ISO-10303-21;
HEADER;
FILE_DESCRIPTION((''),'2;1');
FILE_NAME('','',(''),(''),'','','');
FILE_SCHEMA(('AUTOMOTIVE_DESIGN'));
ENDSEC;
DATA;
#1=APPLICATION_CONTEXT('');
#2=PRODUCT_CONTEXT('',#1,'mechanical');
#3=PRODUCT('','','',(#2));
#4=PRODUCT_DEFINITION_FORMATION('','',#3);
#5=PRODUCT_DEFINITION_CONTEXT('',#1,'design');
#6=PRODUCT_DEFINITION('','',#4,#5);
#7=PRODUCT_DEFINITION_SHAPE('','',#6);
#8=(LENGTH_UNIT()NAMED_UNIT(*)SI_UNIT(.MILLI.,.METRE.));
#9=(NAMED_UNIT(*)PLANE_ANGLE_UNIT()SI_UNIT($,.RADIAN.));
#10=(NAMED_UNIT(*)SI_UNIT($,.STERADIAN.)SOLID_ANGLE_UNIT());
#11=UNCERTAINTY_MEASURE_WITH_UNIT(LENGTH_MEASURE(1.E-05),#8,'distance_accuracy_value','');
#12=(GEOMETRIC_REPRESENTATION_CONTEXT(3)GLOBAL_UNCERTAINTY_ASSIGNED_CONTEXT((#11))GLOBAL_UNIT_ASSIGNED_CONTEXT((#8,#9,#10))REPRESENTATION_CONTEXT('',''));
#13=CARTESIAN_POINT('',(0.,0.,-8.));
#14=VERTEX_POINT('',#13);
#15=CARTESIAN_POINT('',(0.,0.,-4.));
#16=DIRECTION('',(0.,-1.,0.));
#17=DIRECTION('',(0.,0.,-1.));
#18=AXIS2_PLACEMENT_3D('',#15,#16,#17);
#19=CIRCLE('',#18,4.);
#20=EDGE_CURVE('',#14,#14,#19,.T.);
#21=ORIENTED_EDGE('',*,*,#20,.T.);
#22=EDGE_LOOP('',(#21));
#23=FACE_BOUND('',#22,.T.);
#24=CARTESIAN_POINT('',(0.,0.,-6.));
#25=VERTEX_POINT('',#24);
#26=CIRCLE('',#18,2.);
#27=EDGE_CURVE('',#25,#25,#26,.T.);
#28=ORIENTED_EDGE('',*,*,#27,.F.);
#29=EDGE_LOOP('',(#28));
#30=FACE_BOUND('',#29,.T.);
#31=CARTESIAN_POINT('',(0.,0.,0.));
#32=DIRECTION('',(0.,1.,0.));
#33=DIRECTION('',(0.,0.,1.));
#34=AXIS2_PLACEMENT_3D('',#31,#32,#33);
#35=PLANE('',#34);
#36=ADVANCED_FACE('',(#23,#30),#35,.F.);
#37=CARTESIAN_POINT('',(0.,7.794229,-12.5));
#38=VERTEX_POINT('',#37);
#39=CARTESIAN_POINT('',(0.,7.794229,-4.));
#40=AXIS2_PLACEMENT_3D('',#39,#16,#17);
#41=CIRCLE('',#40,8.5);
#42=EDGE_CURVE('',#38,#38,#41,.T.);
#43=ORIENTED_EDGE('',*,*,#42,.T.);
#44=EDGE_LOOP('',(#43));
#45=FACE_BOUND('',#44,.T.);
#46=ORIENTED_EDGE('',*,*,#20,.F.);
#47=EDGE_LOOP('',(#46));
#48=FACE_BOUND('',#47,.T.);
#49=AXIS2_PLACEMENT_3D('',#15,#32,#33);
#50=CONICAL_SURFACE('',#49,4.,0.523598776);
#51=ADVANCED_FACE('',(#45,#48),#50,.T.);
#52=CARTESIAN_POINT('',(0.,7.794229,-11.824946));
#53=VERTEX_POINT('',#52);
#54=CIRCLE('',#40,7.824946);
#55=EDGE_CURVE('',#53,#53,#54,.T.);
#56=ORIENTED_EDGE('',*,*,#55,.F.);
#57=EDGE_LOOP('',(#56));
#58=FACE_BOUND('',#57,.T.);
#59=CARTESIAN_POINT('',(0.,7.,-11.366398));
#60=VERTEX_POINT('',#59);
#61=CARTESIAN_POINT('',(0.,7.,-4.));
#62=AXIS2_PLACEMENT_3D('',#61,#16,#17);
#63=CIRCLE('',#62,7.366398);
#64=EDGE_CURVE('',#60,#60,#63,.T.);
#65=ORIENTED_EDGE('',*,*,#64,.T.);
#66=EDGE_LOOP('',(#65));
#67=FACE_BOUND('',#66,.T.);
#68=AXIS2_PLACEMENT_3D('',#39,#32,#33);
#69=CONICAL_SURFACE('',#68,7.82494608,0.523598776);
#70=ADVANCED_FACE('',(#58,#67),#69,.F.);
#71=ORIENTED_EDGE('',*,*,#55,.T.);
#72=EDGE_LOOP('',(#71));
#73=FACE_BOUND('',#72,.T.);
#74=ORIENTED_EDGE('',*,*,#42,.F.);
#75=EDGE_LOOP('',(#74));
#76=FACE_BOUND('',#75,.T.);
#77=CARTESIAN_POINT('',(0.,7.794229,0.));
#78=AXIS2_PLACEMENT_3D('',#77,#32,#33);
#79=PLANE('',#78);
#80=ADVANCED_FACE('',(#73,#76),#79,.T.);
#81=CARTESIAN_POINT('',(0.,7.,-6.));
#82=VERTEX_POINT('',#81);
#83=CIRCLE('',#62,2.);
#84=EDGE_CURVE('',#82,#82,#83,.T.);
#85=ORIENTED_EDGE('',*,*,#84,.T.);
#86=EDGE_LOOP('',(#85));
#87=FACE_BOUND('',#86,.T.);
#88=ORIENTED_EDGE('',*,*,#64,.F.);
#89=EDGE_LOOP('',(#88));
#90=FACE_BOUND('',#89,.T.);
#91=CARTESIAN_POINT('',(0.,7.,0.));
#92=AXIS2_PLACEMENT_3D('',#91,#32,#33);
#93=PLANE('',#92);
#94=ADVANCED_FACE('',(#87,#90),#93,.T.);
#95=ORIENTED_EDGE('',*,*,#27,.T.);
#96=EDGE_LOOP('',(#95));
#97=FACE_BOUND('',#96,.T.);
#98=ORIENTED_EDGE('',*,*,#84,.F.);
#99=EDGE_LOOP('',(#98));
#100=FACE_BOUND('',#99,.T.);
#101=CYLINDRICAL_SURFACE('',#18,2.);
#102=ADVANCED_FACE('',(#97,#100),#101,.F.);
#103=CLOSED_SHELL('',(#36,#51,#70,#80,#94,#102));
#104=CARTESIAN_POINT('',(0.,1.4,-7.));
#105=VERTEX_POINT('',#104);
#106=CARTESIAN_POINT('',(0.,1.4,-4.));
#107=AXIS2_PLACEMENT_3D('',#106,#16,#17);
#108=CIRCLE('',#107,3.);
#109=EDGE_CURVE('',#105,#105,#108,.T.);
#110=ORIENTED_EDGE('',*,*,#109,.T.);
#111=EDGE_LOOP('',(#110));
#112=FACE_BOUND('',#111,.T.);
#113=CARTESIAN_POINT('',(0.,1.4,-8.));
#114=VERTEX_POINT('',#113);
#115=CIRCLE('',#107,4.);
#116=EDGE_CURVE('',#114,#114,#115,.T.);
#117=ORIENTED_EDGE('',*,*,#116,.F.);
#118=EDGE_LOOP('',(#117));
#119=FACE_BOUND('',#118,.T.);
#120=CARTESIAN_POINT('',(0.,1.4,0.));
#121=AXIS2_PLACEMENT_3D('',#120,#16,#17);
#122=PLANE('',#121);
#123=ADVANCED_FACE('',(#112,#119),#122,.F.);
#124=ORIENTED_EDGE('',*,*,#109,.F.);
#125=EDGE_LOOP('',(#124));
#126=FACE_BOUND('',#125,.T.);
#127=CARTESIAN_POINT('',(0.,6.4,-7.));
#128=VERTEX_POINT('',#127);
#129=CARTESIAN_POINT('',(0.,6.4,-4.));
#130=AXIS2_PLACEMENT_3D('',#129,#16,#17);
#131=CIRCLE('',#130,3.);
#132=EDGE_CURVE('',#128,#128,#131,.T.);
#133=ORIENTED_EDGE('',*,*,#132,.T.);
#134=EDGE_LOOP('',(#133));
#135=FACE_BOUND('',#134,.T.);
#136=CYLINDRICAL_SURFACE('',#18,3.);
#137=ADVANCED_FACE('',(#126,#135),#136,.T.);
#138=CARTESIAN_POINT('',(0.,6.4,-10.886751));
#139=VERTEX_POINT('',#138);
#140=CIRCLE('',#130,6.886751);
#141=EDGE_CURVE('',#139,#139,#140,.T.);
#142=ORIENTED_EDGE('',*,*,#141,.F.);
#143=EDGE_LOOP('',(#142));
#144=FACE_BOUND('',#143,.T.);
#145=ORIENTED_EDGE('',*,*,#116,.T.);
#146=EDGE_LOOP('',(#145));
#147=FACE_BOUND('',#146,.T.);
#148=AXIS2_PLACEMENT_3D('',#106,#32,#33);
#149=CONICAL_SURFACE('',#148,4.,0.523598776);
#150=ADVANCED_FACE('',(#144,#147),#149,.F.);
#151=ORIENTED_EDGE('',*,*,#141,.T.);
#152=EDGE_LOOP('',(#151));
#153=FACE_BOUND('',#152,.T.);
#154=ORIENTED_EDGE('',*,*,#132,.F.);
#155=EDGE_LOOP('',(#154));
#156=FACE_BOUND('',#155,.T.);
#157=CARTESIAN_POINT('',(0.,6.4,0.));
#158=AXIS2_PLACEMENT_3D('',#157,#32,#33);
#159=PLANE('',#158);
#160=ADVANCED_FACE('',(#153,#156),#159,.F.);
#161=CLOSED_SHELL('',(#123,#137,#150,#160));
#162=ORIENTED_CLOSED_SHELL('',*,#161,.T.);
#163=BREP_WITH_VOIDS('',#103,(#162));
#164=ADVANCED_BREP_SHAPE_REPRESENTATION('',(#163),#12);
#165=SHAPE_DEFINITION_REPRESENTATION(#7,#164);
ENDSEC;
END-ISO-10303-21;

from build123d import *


with BuildPart() as part:
    # Sketch1 → Revolve2 (revolve)
    with BuildSketch(Plane(origin=(0, 0, 0), x_dir=(0, 0, -1), z_dir=(1, 0, 0))):
        Polygon((-4.5, 7.794228634), (0, 0), (2, 0), (2, 7), (-3.366397964, 7), (-3.82494608, 7.794228634), align=None)
        Polygon((1, 1.4), (0, 1.4), (-2.886751346, 6.4), (1, 6.4), align=None, mode=Mode.SUBTRACT)
    revolve(axis=Axis((0, 0, -4), (0, 1, 0)))


solid = part.part
